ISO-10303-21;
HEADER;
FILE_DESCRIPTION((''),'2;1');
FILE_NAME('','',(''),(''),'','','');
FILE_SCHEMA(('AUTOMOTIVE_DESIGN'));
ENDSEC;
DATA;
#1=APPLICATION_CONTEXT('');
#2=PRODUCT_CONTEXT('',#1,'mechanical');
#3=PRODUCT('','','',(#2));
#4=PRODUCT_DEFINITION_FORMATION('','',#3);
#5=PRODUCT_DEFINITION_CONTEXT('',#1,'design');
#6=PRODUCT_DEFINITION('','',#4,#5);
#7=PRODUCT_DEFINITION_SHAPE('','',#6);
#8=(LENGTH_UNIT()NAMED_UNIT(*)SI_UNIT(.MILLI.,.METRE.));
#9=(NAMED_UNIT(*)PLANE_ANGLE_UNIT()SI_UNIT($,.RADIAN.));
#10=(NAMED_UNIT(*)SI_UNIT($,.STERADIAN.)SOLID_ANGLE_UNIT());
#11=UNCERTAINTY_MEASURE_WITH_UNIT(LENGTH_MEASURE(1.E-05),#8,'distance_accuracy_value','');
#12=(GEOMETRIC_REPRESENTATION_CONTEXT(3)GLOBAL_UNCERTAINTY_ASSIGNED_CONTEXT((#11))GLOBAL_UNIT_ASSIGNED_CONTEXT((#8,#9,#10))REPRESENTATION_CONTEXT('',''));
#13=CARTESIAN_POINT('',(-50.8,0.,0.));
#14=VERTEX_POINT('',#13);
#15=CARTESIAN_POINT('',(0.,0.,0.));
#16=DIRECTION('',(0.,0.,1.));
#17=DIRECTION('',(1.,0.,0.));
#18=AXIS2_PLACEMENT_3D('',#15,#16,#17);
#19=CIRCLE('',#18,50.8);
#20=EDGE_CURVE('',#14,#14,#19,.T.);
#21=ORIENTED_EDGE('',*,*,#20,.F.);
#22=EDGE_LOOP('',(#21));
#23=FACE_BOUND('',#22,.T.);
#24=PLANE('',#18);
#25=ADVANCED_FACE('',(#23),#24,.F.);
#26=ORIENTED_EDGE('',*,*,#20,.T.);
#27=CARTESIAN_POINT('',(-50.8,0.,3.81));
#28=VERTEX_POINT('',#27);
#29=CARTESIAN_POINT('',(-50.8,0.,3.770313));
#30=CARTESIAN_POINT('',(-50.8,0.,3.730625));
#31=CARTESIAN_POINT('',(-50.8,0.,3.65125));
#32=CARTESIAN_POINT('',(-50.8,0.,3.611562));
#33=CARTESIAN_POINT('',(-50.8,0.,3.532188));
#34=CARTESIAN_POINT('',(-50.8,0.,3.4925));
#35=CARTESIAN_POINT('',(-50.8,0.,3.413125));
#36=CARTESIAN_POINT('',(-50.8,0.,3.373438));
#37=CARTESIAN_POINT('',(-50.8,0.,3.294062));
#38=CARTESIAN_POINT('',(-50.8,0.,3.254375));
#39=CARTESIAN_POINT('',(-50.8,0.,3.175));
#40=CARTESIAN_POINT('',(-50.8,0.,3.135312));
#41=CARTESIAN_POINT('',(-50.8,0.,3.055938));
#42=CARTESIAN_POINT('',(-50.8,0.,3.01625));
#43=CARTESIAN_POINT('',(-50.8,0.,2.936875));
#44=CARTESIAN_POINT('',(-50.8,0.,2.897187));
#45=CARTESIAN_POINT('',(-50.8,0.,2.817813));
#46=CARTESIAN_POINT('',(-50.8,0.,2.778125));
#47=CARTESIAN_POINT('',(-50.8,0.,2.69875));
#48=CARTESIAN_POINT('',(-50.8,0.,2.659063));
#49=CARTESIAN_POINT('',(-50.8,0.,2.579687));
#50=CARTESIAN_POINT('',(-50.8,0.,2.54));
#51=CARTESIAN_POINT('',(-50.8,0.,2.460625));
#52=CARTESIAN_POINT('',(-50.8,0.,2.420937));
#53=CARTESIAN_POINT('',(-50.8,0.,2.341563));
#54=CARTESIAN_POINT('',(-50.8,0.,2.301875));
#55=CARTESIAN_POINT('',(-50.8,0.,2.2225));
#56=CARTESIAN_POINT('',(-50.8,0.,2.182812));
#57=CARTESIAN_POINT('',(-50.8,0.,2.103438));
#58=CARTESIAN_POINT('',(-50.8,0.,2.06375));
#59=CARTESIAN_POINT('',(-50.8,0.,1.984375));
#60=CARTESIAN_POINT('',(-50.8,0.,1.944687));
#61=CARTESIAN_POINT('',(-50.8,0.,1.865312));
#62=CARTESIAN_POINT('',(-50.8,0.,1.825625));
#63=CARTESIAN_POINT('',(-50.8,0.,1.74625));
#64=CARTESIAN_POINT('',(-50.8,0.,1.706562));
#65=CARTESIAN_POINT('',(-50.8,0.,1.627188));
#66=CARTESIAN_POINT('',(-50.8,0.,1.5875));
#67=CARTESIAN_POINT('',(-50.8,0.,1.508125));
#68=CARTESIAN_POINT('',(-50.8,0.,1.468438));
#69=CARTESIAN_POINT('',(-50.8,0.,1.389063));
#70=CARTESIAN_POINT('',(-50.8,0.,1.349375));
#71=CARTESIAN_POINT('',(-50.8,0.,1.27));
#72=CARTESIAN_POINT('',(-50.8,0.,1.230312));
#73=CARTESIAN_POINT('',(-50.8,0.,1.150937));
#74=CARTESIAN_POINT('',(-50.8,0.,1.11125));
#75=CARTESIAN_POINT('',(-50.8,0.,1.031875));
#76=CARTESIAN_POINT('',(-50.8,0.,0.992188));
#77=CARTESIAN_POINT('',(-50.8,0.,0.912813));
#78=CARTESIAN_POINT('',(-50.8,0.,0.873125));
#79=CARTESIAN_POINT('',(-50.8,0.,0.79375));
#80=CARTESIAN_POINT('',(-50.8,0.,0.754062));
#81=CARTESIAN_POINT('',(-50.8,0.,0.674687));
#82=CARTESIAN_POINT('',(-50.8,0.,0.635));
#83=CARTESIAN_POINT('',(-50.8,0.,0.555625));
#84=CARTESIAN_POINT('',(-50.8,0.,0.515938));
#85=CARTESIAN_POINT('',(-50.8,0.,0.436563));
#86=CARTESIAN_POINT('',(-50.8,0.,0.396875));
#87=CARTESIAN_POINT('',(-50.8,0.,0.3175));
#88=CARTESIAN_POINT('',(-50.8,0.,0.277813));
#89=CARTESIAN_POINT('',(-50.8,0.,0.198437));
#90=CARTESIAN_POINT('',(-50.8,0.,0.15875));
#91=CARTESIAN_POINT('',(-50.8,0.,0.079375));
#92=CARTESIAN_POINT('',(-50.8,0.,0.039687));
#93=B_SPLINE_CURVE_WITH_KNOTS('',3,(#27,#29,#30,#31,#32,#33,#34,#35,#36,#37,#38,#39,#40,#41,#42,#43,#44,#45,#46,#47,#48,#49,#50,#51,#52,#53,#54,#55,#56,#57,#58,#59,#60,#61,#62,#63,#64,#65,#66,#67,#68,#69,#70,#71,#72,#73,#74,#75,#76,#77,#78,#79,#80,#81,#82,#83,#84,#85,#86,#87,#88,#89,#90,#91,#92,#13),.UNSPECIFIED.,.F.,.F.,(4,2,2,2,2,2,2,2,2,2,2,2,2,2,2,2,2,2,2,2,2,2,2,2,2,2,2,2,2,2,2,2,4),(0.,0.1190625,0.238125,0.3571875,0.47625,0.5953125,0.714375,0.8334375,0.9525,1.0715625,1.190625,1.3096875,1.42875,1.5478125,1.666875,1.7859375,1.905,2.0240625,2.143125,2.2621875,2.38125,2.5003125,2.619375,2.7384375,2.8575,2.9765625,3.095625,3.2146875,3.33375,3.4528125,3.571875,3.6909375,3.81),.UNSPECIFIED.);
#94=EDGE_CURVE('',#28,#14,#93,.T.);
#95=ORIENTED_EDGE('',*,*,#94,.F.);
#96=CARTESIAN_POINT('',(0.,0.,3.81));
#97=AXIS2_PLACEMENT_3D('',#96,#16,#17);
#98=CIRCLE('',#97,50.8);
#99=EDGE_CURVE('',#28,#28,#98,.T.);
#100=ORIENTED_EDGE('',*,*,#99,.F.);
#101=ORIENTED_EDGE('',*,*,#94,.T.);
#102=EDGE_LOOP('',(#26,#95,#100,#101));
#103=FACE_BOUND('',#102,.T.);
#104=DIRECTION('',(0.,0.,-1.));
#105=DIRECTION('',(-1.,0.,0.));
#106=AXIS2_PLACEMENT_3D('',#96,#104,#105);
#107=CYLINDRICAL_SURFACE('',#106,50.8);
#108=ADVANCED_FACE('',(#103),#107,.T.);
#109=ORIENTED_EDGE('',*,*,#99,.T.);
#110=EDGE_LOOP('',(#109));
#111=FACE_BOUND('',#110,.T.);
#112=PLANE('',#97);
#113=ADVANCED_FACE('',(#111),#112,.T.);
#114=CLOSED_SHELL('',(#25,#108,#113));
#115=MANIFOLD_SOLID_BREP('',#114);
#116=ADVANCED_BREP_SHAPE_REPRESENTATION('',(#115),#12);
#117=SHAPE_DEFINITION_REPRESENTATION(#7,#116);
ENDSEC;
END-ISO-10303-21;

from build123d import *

# Parameters (mm, degrees)
SKETCH1_R           = 50.8
BOSS_EXTRUDE1_DEPTH = 3.81


with BuildPart() as part:
    # Sketch1 → Boss-Extrude1 (new body)
    with BuildSketch(Plane.XY):
        with Locations(Location((0, 0, 0), (0, 0, 180))):
            Circle(SKETCH1_R)
    extrude(amount=BOSS_EXTRUDE1_DEPTH)


solid = part.part
